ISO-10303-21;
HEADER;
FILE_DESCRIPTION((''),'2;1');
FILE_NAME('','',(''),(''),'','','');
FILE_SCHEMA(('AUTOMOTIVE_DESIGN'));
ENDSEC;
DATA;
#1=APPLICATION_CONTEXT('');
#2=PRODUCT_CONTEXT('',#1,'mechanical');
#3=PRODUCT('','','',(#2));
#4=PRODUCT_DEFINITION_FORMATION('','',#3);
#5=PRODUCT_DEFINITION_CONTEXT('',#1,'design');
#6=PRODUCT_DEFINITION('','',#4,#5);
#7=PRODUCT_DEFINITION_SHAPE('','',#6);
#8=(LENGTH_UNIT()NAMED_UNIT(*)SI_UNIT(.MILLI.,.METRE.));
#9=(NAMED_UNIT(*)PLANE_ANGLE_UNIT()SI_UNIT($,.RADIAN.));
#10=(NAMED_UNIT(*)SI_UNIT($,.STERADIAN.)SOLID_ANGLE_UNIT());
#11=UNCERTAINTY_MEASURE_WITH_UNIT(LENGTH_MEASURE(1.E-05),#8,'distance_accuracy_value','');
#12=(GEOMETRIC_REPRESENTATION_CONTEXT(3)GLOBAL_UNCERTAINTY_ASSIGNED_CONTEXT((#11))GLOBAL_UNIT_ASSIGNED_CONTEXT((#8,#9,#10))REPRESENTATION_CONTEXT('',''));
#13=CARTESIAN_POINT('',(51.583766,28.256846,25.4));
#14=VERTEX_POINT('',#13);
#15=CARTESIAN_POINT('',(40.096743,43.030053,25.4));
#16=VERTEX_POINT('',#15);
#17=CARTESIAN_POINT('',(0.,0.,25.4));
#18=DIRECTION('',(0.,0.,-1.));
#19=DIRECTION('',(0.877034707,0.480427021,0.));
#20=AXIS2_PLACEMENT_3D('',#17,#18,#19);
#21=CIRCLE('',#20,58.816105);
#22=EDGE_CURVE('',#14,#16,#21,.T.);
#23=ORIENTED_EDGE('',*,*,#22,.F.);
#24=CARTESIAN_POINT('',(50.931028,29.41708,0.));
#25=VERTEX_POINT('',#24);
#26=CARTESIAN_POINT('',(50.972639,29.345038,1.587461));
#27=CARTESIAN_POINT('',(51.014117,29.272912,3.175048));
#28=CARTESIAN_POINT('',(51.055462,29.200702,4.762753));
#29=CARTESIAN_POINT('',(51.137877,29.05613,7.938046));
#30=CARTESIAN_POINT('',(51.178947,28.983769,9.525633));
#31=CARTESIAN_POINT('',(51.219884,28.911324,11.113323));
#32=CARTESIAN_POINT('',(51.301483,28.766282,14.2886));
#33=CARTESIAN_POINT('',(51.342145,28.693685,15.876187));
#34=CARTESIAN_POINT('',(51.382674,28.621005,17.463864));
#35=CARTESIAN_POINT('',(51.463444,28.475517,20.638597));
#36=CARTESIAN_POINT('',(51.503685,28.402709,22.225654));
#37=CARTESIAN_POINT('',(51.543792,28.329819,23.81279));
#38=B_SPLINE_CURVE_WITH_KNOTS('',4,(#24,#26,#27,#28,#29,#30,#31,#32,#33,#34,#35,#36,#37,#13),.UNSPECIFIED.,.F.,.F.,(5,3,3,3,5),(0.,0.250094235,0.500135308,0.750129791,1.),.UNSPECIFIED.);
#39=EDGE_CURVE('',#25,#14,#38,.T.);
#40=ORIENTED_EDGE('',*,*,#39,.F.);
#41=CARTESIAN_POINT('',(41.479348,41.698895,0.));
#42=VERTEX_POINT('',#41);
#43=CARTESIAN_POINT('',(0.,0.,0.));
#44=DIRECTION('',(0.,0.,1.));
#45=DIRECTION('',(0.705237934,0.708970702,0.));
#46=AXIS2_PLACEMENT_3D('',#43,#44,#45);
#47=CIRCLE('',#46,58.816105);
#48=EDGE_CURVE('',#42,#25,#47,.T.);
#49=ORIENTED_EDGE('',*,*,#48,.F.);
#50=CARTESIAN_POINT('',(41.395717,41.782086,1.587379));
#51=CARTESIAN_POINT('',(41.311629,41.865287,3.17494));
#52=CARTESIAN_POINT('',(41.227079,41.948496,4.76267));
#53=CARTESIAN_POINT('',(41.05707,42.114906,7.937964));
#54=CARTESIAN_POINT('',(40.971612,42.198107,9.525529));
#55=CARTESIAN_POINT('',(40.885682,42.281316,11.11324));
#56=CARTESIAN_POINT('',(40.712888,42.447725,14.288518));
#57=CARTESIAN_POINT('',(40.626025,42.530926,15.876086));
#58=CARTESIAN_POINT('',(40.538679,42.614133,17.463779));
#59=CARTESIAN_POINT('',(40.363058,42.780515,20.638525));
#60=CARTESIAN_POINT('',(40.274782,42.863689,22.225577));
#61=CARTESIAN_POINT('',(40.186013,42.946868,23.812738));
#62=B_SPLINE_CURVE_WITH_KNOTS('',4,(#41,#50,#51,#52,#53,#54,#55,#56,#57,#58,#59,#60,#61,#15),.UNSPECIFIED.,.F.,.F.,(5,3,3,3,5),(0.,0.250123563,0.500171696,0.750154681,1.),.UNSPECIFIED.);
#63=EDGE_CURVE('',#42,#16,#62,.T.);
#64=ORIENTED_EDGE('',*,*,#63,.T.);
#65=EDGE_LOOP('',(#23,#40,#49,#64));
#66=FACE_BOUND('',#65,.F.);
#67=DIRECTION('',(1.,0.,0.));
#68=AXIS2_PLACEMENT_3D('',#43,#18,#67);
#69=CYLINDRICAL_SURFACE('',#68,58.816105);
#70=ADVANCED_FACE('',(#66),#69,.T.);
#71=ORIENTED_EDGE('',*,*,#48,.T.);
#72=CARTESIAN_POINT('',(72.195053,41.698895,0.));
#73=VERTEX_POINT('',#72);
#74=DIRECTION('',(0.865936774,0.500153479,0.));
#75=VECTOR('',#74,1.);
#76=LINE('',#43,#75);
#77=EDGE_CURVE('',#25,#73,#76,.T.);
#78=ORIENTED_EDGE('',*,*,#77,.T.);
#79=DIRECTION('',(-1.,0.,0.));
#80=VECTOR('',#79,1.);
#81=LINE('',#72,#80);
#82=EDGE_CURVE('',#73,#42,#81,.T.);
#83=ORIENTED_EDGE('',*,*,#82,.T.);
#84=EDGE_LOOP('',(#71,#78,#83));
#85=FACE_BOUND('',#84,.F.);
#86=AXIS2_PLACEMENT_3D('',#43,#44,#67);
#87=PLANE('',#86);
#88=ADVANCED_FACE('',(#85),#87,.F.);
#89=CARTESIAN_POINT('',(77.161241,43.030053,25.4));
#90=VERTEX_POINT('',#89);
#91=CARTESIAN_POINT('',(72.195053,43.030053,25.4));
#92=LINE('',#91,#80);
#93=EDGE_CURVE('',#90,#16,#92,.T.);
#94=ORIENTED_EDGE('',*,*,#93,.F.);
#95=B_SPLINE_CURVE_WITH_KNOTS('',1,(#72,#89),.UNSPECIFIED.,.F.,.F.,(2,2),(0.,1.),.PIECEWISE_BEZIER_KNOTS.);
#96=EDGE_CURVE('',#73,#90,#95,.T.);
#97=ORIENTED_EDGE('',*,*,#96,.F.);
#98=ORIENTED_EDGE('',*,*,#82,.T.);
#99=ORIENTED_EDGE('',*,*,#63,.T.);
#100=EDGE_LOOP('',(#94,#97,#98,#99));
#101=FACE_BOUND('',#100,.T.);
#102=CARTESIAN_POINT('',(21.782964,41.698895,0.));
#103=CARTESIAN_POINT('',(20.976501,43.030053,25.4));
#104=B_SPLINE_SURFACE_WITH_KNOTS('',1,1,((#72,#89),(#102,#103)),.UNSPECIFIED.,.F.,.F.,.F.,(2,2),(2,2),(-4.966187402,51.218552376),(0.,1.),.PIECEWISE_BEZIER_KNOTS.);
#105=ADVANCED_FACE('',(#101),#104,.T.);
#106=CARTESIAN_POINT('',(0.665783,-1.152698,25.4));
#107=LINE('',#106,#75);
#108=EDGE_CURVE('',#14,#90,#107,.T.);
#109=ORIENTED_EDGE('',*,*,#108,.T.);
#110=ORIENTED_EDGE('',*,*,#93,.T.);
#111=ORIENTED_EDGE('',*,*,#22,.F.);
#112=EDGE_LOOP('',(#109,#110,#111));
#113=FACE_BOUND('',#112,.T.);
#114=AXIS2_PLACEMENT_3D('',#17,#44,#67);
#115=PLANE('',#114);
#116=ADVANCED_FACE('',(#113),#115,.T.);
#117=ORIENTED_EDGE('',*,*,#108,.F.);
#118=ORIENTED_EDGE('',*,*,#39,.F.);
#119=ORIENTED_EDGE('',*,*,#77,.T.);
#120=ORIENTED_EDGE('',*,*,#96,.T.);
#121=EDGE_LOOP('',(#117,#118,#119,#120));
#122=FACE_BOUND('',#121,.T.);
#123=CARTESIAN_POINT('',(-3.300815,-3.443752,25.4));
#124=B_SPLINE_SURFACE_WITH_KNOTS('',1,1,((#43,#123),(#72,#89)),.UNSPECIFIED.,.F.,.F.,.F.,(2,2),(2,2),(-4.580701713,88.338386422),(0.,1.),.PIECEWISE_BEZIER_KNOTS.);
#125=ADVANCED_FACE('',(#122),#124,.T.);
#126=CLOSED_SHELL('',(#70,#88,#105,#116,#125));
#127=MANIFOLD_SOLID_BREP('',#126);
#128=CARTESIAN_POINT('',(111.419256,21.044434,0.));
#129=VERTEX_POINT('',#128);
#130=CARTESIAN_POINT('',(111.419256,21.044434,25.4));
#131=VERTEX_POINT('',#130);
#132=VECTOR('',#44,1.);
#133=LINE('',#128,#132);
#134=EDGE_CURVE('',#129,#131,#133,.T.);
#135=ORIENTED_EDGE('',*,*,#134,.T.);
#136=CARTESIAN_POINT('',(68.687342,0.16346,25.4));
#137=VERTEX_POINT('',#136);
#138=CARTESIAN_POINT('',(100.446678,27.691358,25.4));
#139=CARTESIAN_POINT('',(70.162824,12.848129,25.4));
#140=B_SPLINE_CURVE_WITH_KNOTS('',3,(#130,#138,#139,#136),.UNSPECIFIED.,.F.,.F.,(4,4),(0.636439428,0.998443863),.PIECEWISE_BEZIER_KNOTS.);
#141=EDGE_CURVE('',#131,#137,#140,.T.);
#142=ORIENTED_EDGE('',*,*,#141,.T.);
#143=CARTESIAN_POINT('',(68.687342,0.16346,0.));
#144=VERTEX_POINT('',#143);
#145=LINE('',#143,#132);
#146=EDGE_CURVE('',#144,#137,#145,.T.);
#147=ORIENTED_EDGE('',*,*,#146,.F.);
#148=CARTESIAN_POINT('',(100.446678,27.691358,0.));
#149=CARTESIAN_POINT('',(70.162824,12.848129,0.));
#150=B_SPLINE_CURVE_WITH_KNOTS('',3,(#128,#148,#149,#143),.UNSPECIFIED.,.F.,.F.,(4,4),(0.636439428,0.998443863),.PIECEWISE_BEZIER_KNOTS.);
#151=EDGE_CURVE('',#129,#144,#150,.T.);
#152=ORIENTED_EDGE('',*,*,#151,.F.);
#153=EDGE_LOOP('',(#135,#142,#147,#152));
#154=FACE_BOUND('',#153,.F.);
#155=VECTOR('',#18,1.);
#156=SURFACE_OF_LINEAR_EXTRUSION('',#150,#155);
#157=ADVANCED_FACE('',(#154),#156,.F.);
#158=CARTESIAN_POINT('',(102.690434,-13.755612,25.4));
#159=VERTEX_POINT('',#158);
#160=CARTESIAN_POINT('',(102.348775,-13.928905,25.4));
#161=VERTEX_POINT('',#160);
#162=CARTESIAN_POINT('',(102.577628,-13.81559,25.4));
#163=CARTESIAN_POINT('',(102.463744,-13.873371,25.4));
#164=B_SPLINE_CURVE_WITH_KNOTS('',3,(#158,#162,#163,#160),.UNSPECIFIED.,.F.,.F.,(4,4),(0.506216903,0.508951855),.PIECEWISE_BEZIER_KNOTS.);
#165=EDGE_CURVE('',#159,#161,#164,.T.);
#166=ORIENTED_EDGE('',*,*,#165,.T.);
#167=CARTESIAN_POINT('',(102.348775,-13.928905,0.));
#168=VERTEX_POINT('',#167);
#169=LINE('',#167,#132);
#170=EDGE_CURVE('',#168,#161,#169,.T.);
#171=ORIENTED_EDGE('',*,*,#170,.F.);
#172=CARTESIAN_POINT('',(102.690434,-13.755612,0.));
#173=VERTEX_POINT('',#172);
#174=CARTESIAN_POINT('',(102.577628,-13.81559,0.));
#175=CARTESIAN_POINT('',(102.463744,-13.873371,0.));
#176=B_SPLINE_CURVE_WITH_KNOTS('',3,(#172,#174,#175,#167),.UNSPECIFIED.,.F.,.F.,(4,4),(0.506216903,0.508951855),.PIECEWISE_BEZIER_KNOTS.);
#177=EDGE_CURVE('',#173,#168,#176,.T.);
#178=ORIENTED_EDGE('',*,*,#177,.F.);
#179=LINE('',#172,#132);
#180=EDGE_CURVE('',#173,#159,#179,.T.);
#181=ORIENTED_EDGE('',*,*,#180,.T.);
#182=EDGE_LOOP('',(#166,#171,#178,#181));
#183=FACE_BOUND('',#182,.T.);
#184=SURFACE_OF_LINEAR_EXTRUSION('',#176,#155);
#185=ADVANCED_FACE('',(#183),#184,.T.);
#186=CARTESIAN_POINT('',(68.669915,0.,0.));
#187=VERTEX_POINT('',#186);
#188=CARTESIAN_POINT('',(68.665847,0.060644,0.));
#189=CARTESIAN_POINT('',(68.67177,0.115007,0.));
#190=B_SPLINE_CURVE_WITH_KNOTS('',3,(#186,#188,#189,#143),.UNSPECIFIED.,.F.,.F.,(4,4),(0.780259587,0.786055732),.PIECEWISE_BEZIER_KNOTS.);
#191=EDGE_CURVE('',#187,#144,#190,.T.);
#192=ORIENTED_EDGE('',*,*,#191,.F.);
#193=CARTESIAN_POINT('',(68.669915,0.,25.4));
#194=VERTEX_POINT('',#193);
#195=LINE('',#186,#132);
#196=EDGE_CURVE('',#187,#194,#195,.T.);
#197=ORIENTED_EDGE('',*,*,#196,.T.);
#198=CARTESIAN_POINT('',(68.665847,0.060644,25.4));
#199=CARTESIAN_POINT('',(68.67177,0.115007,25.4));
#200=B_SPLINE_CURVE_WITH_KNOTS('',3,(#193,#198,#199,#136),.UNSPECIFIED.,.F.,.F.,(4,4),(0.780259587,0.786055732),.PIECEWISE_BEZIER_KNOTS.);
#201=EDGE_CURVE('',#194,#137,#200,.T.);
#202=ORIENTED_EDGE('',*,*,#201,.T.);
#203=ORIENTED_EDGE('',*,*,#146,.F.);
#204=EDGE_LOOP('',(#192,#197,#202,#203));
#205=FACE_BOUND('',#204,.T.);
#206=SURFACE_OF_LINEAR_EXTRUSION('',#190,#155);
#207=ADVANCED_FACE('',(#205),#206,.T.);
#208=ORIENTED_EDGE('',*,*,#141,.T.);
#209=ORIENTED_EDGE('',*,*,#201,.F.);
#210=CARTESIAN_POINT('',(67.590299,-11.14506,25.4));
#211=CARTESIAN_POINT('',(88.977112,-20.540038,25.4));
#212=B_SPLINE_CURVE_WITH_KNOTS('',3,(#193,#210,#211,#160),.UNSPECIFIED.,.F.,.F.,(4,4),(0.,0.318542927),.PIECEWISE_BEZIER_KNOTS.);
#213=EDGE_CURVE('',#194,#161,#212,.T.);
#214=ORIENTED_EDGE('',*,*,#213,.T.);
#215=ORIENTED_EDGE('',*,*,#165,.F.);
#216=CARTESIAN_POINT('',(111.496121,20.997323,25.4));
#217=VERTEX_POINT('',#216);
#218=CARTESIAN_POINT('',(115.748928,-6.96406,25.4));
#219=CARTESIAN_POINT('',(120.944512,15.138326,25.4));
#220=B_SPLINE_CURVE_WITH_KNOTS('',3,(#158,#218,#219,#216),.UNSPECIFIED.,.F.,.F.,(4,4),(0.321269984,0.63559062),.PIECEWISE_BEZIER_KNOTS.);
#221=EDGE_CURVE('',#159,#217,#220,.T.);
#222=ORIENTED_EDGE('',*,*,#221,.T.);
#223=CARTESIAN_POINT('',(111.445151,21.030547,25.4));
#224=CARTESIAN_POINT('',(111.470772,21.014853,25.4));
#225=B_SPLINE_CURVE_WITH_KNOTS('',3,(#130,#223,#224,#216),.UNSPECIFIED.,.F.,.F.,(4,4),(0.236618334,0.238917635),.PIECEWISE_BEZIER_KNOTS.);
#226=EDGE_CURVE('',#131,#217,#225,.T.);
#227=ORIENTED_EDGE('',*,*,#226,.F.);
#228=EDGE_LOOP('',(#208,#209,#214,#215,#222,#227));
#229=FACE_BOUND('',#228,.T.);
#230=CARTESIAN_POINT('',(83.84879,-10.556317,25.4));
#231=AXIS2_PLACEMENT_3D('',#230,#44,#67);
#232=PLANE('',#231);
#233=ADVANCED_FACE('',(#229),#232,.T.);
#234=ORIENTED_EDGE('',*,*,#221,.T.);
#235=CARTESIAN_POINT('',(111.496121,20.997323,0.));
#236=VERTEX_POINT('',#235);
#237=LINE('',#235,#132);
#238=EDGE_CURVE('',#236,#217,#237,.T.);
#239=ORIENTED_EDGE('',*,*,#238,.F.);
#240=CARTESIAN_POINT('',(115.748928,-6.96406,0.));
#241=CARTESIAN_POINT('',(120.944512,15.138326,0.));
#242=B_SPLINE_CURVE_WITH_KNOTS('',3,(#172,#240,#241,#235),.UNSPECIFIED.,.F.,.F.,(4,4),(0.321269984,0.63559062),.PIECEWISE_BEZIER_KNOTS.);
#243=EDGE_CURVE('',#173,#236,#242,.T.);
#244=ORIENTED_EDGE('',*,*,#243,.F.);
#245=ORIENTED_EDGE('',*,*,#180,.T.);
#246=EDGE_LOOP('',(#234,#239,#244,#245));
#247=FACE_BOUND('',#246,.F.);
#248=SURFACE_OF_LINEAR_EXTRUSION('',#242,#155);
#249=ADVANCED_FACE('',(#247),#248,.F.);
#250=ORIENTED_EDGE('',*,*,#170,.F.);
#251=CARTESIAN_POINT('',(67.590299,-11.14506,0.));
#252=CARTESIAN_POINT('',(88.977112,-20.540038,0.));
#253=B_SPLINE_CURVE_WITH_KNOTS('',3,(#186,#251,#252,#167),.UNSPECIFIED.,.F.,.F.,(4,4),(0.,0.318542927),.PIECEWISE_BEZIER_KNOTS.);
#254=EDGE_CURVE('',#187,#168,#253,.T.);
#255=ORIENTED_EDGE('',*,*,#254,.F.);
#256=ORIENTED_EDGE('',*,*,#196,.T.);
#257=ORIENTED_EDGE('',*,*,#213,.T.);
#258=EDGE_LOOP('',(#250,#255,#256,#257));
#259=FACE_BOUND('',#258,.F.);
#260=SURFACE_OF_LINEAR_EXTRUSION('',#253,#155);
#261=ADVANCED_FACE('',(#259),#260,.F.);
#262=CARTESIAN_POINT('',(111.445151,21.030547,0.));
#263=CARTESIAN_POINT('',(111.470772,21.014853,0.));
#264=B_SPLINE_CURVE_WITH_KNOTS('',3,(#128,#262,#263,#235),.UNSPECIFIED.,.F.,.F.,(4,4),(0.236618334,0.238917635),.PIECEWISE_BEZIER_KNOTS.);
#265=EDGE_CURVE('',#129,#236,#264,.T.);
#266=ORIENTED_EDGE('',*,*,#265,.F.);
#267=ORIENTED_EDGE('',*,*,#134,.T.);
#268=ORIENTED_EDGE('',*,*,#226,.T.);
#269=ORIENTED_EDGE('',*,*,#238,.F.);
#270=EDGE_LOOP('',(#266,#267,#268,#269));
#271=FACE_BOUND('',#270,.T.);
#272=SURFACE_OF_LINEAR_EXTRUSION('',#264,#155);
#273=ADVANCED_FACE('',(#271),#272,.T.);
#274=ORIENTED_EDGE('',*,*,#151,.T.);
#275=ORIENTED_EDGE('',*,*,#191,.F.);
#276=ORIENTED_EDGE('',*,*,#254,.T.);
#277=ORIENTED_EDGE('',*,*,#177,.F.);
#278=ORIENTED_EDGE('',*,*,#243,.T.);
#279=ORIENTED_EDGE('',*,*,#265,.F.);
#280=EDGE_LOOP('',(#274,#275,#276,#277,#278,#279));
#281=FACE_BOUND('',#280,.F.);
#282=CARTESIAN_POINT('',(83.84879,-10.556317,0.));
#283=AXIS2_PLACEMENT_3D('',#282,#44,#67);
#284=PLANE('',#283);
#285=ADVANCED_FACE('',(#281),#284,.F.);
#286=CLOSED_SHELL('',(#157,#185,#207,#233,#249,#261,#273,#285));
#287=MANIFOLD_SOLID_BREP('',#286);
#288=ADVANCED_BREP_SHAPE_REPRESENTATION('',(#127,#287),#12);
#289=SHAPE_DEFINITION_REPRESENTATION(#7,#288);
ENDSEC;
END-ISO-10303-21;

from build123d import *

# Parameters (mm, degrees)
F1_DEPTH = 25.4
F1_TAPER = -3
F2_R     = 58.8161051618
F3_DEPTH = 25.4
F5_DEPTH = 25.4


with BuildPart() as f1:
    # F0 (on Top) → F1 (new body)
    with BuildSketch(Plane.XY):
        Polygon((72.1950531006, 41.6988953948), (21.782964468, 41.6988953948), (0, 0), align=None)
    extrude(amount=F1_DEPTH, taper=F1_TAPER)

    # F2 (on Top) → F3 (join)
    with BuildSketch(Plane.XY):
        Circle(F2_R)
    extrude(amount=F3_DEPTH)


with BuildPart() as f5:
    # F4 (on Top) → F5 (new body)
    with BuildSketch(Plane.XY):
        with BuildLine():
            add(Edge.make_bspline(
                [(102.3487746519, -13.9289051389), (90.9438132493, -19.4379005678), (68.8603634249, -2.8386279957), (68.6699151955, 2.9e-09)],
                knots=[0.5089518547, 0.5089518547, 0.5089518547, 0.5089518547, 0.7802595866, 0.7802595866, 0.7802595866, 0.7802595866], degree=3))
            add(Edge.make_bspline(
                [(68.6699151993, 0), (67.5902988731, -11.1450596771), (88.9771118669, -20.5400376345), (102.3487746716, -13.9289051294)],
                knots=[0, 0, 0, 0, 0.3185429266, 0.3185429266, 0.3185429266, 0.3185429266], degree=3))
        make_face()
        with BuildLine():
            add(Edge.make_bspline(
                [(68.6699151993, 0), (68.6658465147, 0.0606436807), (68.6717699918, 0.1150068803), (68.6873421872, 0.1634600038)],
                knots=[0.7802595866, 0.7802595866, 0.7802595866, 0.7802595866, 0.7860557316, 0.7860557316, 0.7860557316, 0.7860557316], degree=3))
            add(Edge.make_bspline(
                [(68.6873421872, 0.1634600038), (68.6809995803, 0.1089328226), (68.6751893103, 0.0544455286), (68.6699151993, 0)],
                knots=[0.9984438632, 0.9984438632, 0.9984438632, 0.9984438632, 1, 1, 1, 1], degree=3))
        make_face()
        with BuildLine():
            add(Edge.make_bspline(
                [(68.6873421872, 0.1634600038), (68.6809995803, 0.1089328226), (68.6751893103, 0.0544455286), (68.6699151993, 0)],
                knots=[0.9984438632, 0.9984438632, 0.9984438632, 0.9984438632, 1, 1, 1, 1], degree=3))
            add(Edge.make_bspline(
                [(102.3487746519, -13.9289051389), (90.9438132493, -19.4379005678), (68.8603634249, -2.8386279957), (68.6699151955, 2.9e-09)],
                knots=[0.5089518547, 0.5089518547, 0.5089518547, 0.5089518547, 0.7802595866, 0.7802595866, 0.7802595866, 0.7802595866], degree=3))
            add(Edge.make_bspline(
                [(102.3487746716, -13.9289051294), (102.463249954, -13.8723069881), (102.5771377954, -13.8145357377), (102.6904337673, -13.7556119854)],
                knots=[0.3185429266, 0.3185429266, 0.3185429266, 0.3185429266, 0.321269984, 0.321269984, 0.321269984, 0.321269984], degree=3))
            add(Edge.make_bspline(
                [(111.4961206965, 20.9973230922), (114.443001781, 18.9594226446), (113.7154739438, -7.8936603848), (102.6904337671, -13.7556119915)],
                knots=[0.2389176353, 0.2389176353, 0.2389176353, 0.2389176353, 0.5062169032, 0.5062169032, 0.5062169032, 0.5062169032], degree=3))
            add(Edge.make_bspline(
                [(111.4961206913, 20.9973230958), (111.4706057422, 21.0131450489), (111.4449840026, 21.0288485478), (111.4192560928, 21.0444338975)],
                knots=[0.6355906198, 0.6355906198, 0.6355906198, 0.6355906198, 0.6364394283, 0.6364394283, 0.6364394283, 0.6364394283], degree=3))
            add(Edge.make_bspline(
                [(92.5777554512, 0), (103.1894933654, 4.768783262), (108.7544603715, 22.4735331076), (111.4192560928, 21.0444338975)],
                knots=[0, 0, 0, 0, 0.2366183341, 0.2366183341, 0.2366183341, 0.2366183341], degree=3))
            add(Edge.make_bspline(
                [(68.6873421872, 0.1634600038), (69.2621349119, 1.9519363241), (82.9828924293, -4.3118123111), (92.5777554512, 0)],
                knots=[0.7860557316, 0.7860557316, 0.7860557316, 0.7860557316, 1, 1, 1, 1], degree=3))
        make_face()
        with BuildLine():
            add(Edge.make_bspline(
                [(102.3487746716, -13.9289051294), (102.463249954, -13.8723069881), (102.5771377954, -13.8145357377), (102.6904337673, -13.7556119854)],
                knots=[0.3185429266, 0.3185429266, 0.3185429266, 0.3185429266, 0.321269984, 0.321269984, 0.321269984, 0.321269984], degree=3))
            add(Edge.make_bspline(
                [(102.6904337673, -13.7556119854), (102.5776278097, -13.8155902761), (102.4637437995, -13.8733710177), (102.3487746519, -13.9289051389)],
                knots=[0.5062169032, 0.5062169032, 0.5062169032, 0.5062169032, 0.5089518547, 0.5089518547, 0.5089518547, 0.5089518547], degree=3))
        make_face()
        with BuildLine():
            add(Edge.make_bspline(
                [(111.4192560928, 21.0444338975), (100.4466781249, 27.6913580091), (70.1628241383, 12.8481293776), (68.6873421872, 0.1634600038)],
                knots=[0.6364394283, 0.6364394283, 0.6364394283, 0.6364394283, 0.9984438632, 0.9984438632, 0.9984438632, 0.9984438632], degree=3))
            add(Edge.make_bspline(
                [(68.6873421872, 0.1634600038), (69.2621349119, 1.9519363241), (82.9828924293, -4.3118123111), (92.5777554512, 0)],
                knots=[0.7860557316, 0.7860557316, 0.7860557316, 0.7860557316, 1, 1, 1, 1], degree=3))
            add(Edge.make_bspline(
                [(92.5777554512, 0), (103.1894933654, 4.768783262), (108.7544603715, 22.4735331076), (111.4192560928, 21.0444338975)],
                knots=[0, 0, 0, 0, 0.2366183341, 0.2366183341, 0.2366183341, 0.2366183341], degree=3))
        make_face()
        with BuildLine():
            add(Edge.make_bspline(
                [(111.4961206965, 20.9973230922), (114.443001781, 18.9594226446), (113.7154739438, -7.8936603848), (102.6904337671, -13.7556119915)],
                knots=[0.2389176353, 0.2389176353, 0.2389176353, 0.2389176353, 0.5062169032, 0.5062169032, 0.5062169032, 0.5062169032], degree=3))
            add(Edge.make_bspline(
                [(102.6904337673, -13.7556119854), (115.7489276571, -6.9640602047), (120.9445121969, 15.1383262128), (111.4961206913, 20.9973230958)],
                knots=[0.321269984, 0.321269984, 0.321269984, 0.321269984, 0.6355906198, 0.6355906198, 0.6355906198, 0.6355906198], degree=3))
        make_face()
        with BuildLine():
            add(Edge.make_bspline(
                [(111.4192560928, 21.0444338975), (111.4451508227, 21.0305468525), (111.4707717016, 21.0148530591), (111.4961206965, 20.9973230922)],
                knots=[0.2366183341, 0.2366183341, 0.2366183341, 0.2366183341, 0.2389176353, 0.2389176353, 0.2389176353, 0.2389176353], degree=3))
            add(Edge.make_bspline(
                [(111.4961206913, 20.9973230958), (111.4706057422, 21.0131450489), (111.4449840026, 21.0288485478), (111.4192560928, 21.0444338975)],
                knots=[0.6355906198, 0.6355906198, 0.6355906198, 0.6355906198, 0.6364394283, 0.6364394283, 0.6364394283, 0.6364394283], degree=3))
        make_face()
    extrude(amount=F5_DEPTH)


solid = Compound([f1.part, f5.part])
